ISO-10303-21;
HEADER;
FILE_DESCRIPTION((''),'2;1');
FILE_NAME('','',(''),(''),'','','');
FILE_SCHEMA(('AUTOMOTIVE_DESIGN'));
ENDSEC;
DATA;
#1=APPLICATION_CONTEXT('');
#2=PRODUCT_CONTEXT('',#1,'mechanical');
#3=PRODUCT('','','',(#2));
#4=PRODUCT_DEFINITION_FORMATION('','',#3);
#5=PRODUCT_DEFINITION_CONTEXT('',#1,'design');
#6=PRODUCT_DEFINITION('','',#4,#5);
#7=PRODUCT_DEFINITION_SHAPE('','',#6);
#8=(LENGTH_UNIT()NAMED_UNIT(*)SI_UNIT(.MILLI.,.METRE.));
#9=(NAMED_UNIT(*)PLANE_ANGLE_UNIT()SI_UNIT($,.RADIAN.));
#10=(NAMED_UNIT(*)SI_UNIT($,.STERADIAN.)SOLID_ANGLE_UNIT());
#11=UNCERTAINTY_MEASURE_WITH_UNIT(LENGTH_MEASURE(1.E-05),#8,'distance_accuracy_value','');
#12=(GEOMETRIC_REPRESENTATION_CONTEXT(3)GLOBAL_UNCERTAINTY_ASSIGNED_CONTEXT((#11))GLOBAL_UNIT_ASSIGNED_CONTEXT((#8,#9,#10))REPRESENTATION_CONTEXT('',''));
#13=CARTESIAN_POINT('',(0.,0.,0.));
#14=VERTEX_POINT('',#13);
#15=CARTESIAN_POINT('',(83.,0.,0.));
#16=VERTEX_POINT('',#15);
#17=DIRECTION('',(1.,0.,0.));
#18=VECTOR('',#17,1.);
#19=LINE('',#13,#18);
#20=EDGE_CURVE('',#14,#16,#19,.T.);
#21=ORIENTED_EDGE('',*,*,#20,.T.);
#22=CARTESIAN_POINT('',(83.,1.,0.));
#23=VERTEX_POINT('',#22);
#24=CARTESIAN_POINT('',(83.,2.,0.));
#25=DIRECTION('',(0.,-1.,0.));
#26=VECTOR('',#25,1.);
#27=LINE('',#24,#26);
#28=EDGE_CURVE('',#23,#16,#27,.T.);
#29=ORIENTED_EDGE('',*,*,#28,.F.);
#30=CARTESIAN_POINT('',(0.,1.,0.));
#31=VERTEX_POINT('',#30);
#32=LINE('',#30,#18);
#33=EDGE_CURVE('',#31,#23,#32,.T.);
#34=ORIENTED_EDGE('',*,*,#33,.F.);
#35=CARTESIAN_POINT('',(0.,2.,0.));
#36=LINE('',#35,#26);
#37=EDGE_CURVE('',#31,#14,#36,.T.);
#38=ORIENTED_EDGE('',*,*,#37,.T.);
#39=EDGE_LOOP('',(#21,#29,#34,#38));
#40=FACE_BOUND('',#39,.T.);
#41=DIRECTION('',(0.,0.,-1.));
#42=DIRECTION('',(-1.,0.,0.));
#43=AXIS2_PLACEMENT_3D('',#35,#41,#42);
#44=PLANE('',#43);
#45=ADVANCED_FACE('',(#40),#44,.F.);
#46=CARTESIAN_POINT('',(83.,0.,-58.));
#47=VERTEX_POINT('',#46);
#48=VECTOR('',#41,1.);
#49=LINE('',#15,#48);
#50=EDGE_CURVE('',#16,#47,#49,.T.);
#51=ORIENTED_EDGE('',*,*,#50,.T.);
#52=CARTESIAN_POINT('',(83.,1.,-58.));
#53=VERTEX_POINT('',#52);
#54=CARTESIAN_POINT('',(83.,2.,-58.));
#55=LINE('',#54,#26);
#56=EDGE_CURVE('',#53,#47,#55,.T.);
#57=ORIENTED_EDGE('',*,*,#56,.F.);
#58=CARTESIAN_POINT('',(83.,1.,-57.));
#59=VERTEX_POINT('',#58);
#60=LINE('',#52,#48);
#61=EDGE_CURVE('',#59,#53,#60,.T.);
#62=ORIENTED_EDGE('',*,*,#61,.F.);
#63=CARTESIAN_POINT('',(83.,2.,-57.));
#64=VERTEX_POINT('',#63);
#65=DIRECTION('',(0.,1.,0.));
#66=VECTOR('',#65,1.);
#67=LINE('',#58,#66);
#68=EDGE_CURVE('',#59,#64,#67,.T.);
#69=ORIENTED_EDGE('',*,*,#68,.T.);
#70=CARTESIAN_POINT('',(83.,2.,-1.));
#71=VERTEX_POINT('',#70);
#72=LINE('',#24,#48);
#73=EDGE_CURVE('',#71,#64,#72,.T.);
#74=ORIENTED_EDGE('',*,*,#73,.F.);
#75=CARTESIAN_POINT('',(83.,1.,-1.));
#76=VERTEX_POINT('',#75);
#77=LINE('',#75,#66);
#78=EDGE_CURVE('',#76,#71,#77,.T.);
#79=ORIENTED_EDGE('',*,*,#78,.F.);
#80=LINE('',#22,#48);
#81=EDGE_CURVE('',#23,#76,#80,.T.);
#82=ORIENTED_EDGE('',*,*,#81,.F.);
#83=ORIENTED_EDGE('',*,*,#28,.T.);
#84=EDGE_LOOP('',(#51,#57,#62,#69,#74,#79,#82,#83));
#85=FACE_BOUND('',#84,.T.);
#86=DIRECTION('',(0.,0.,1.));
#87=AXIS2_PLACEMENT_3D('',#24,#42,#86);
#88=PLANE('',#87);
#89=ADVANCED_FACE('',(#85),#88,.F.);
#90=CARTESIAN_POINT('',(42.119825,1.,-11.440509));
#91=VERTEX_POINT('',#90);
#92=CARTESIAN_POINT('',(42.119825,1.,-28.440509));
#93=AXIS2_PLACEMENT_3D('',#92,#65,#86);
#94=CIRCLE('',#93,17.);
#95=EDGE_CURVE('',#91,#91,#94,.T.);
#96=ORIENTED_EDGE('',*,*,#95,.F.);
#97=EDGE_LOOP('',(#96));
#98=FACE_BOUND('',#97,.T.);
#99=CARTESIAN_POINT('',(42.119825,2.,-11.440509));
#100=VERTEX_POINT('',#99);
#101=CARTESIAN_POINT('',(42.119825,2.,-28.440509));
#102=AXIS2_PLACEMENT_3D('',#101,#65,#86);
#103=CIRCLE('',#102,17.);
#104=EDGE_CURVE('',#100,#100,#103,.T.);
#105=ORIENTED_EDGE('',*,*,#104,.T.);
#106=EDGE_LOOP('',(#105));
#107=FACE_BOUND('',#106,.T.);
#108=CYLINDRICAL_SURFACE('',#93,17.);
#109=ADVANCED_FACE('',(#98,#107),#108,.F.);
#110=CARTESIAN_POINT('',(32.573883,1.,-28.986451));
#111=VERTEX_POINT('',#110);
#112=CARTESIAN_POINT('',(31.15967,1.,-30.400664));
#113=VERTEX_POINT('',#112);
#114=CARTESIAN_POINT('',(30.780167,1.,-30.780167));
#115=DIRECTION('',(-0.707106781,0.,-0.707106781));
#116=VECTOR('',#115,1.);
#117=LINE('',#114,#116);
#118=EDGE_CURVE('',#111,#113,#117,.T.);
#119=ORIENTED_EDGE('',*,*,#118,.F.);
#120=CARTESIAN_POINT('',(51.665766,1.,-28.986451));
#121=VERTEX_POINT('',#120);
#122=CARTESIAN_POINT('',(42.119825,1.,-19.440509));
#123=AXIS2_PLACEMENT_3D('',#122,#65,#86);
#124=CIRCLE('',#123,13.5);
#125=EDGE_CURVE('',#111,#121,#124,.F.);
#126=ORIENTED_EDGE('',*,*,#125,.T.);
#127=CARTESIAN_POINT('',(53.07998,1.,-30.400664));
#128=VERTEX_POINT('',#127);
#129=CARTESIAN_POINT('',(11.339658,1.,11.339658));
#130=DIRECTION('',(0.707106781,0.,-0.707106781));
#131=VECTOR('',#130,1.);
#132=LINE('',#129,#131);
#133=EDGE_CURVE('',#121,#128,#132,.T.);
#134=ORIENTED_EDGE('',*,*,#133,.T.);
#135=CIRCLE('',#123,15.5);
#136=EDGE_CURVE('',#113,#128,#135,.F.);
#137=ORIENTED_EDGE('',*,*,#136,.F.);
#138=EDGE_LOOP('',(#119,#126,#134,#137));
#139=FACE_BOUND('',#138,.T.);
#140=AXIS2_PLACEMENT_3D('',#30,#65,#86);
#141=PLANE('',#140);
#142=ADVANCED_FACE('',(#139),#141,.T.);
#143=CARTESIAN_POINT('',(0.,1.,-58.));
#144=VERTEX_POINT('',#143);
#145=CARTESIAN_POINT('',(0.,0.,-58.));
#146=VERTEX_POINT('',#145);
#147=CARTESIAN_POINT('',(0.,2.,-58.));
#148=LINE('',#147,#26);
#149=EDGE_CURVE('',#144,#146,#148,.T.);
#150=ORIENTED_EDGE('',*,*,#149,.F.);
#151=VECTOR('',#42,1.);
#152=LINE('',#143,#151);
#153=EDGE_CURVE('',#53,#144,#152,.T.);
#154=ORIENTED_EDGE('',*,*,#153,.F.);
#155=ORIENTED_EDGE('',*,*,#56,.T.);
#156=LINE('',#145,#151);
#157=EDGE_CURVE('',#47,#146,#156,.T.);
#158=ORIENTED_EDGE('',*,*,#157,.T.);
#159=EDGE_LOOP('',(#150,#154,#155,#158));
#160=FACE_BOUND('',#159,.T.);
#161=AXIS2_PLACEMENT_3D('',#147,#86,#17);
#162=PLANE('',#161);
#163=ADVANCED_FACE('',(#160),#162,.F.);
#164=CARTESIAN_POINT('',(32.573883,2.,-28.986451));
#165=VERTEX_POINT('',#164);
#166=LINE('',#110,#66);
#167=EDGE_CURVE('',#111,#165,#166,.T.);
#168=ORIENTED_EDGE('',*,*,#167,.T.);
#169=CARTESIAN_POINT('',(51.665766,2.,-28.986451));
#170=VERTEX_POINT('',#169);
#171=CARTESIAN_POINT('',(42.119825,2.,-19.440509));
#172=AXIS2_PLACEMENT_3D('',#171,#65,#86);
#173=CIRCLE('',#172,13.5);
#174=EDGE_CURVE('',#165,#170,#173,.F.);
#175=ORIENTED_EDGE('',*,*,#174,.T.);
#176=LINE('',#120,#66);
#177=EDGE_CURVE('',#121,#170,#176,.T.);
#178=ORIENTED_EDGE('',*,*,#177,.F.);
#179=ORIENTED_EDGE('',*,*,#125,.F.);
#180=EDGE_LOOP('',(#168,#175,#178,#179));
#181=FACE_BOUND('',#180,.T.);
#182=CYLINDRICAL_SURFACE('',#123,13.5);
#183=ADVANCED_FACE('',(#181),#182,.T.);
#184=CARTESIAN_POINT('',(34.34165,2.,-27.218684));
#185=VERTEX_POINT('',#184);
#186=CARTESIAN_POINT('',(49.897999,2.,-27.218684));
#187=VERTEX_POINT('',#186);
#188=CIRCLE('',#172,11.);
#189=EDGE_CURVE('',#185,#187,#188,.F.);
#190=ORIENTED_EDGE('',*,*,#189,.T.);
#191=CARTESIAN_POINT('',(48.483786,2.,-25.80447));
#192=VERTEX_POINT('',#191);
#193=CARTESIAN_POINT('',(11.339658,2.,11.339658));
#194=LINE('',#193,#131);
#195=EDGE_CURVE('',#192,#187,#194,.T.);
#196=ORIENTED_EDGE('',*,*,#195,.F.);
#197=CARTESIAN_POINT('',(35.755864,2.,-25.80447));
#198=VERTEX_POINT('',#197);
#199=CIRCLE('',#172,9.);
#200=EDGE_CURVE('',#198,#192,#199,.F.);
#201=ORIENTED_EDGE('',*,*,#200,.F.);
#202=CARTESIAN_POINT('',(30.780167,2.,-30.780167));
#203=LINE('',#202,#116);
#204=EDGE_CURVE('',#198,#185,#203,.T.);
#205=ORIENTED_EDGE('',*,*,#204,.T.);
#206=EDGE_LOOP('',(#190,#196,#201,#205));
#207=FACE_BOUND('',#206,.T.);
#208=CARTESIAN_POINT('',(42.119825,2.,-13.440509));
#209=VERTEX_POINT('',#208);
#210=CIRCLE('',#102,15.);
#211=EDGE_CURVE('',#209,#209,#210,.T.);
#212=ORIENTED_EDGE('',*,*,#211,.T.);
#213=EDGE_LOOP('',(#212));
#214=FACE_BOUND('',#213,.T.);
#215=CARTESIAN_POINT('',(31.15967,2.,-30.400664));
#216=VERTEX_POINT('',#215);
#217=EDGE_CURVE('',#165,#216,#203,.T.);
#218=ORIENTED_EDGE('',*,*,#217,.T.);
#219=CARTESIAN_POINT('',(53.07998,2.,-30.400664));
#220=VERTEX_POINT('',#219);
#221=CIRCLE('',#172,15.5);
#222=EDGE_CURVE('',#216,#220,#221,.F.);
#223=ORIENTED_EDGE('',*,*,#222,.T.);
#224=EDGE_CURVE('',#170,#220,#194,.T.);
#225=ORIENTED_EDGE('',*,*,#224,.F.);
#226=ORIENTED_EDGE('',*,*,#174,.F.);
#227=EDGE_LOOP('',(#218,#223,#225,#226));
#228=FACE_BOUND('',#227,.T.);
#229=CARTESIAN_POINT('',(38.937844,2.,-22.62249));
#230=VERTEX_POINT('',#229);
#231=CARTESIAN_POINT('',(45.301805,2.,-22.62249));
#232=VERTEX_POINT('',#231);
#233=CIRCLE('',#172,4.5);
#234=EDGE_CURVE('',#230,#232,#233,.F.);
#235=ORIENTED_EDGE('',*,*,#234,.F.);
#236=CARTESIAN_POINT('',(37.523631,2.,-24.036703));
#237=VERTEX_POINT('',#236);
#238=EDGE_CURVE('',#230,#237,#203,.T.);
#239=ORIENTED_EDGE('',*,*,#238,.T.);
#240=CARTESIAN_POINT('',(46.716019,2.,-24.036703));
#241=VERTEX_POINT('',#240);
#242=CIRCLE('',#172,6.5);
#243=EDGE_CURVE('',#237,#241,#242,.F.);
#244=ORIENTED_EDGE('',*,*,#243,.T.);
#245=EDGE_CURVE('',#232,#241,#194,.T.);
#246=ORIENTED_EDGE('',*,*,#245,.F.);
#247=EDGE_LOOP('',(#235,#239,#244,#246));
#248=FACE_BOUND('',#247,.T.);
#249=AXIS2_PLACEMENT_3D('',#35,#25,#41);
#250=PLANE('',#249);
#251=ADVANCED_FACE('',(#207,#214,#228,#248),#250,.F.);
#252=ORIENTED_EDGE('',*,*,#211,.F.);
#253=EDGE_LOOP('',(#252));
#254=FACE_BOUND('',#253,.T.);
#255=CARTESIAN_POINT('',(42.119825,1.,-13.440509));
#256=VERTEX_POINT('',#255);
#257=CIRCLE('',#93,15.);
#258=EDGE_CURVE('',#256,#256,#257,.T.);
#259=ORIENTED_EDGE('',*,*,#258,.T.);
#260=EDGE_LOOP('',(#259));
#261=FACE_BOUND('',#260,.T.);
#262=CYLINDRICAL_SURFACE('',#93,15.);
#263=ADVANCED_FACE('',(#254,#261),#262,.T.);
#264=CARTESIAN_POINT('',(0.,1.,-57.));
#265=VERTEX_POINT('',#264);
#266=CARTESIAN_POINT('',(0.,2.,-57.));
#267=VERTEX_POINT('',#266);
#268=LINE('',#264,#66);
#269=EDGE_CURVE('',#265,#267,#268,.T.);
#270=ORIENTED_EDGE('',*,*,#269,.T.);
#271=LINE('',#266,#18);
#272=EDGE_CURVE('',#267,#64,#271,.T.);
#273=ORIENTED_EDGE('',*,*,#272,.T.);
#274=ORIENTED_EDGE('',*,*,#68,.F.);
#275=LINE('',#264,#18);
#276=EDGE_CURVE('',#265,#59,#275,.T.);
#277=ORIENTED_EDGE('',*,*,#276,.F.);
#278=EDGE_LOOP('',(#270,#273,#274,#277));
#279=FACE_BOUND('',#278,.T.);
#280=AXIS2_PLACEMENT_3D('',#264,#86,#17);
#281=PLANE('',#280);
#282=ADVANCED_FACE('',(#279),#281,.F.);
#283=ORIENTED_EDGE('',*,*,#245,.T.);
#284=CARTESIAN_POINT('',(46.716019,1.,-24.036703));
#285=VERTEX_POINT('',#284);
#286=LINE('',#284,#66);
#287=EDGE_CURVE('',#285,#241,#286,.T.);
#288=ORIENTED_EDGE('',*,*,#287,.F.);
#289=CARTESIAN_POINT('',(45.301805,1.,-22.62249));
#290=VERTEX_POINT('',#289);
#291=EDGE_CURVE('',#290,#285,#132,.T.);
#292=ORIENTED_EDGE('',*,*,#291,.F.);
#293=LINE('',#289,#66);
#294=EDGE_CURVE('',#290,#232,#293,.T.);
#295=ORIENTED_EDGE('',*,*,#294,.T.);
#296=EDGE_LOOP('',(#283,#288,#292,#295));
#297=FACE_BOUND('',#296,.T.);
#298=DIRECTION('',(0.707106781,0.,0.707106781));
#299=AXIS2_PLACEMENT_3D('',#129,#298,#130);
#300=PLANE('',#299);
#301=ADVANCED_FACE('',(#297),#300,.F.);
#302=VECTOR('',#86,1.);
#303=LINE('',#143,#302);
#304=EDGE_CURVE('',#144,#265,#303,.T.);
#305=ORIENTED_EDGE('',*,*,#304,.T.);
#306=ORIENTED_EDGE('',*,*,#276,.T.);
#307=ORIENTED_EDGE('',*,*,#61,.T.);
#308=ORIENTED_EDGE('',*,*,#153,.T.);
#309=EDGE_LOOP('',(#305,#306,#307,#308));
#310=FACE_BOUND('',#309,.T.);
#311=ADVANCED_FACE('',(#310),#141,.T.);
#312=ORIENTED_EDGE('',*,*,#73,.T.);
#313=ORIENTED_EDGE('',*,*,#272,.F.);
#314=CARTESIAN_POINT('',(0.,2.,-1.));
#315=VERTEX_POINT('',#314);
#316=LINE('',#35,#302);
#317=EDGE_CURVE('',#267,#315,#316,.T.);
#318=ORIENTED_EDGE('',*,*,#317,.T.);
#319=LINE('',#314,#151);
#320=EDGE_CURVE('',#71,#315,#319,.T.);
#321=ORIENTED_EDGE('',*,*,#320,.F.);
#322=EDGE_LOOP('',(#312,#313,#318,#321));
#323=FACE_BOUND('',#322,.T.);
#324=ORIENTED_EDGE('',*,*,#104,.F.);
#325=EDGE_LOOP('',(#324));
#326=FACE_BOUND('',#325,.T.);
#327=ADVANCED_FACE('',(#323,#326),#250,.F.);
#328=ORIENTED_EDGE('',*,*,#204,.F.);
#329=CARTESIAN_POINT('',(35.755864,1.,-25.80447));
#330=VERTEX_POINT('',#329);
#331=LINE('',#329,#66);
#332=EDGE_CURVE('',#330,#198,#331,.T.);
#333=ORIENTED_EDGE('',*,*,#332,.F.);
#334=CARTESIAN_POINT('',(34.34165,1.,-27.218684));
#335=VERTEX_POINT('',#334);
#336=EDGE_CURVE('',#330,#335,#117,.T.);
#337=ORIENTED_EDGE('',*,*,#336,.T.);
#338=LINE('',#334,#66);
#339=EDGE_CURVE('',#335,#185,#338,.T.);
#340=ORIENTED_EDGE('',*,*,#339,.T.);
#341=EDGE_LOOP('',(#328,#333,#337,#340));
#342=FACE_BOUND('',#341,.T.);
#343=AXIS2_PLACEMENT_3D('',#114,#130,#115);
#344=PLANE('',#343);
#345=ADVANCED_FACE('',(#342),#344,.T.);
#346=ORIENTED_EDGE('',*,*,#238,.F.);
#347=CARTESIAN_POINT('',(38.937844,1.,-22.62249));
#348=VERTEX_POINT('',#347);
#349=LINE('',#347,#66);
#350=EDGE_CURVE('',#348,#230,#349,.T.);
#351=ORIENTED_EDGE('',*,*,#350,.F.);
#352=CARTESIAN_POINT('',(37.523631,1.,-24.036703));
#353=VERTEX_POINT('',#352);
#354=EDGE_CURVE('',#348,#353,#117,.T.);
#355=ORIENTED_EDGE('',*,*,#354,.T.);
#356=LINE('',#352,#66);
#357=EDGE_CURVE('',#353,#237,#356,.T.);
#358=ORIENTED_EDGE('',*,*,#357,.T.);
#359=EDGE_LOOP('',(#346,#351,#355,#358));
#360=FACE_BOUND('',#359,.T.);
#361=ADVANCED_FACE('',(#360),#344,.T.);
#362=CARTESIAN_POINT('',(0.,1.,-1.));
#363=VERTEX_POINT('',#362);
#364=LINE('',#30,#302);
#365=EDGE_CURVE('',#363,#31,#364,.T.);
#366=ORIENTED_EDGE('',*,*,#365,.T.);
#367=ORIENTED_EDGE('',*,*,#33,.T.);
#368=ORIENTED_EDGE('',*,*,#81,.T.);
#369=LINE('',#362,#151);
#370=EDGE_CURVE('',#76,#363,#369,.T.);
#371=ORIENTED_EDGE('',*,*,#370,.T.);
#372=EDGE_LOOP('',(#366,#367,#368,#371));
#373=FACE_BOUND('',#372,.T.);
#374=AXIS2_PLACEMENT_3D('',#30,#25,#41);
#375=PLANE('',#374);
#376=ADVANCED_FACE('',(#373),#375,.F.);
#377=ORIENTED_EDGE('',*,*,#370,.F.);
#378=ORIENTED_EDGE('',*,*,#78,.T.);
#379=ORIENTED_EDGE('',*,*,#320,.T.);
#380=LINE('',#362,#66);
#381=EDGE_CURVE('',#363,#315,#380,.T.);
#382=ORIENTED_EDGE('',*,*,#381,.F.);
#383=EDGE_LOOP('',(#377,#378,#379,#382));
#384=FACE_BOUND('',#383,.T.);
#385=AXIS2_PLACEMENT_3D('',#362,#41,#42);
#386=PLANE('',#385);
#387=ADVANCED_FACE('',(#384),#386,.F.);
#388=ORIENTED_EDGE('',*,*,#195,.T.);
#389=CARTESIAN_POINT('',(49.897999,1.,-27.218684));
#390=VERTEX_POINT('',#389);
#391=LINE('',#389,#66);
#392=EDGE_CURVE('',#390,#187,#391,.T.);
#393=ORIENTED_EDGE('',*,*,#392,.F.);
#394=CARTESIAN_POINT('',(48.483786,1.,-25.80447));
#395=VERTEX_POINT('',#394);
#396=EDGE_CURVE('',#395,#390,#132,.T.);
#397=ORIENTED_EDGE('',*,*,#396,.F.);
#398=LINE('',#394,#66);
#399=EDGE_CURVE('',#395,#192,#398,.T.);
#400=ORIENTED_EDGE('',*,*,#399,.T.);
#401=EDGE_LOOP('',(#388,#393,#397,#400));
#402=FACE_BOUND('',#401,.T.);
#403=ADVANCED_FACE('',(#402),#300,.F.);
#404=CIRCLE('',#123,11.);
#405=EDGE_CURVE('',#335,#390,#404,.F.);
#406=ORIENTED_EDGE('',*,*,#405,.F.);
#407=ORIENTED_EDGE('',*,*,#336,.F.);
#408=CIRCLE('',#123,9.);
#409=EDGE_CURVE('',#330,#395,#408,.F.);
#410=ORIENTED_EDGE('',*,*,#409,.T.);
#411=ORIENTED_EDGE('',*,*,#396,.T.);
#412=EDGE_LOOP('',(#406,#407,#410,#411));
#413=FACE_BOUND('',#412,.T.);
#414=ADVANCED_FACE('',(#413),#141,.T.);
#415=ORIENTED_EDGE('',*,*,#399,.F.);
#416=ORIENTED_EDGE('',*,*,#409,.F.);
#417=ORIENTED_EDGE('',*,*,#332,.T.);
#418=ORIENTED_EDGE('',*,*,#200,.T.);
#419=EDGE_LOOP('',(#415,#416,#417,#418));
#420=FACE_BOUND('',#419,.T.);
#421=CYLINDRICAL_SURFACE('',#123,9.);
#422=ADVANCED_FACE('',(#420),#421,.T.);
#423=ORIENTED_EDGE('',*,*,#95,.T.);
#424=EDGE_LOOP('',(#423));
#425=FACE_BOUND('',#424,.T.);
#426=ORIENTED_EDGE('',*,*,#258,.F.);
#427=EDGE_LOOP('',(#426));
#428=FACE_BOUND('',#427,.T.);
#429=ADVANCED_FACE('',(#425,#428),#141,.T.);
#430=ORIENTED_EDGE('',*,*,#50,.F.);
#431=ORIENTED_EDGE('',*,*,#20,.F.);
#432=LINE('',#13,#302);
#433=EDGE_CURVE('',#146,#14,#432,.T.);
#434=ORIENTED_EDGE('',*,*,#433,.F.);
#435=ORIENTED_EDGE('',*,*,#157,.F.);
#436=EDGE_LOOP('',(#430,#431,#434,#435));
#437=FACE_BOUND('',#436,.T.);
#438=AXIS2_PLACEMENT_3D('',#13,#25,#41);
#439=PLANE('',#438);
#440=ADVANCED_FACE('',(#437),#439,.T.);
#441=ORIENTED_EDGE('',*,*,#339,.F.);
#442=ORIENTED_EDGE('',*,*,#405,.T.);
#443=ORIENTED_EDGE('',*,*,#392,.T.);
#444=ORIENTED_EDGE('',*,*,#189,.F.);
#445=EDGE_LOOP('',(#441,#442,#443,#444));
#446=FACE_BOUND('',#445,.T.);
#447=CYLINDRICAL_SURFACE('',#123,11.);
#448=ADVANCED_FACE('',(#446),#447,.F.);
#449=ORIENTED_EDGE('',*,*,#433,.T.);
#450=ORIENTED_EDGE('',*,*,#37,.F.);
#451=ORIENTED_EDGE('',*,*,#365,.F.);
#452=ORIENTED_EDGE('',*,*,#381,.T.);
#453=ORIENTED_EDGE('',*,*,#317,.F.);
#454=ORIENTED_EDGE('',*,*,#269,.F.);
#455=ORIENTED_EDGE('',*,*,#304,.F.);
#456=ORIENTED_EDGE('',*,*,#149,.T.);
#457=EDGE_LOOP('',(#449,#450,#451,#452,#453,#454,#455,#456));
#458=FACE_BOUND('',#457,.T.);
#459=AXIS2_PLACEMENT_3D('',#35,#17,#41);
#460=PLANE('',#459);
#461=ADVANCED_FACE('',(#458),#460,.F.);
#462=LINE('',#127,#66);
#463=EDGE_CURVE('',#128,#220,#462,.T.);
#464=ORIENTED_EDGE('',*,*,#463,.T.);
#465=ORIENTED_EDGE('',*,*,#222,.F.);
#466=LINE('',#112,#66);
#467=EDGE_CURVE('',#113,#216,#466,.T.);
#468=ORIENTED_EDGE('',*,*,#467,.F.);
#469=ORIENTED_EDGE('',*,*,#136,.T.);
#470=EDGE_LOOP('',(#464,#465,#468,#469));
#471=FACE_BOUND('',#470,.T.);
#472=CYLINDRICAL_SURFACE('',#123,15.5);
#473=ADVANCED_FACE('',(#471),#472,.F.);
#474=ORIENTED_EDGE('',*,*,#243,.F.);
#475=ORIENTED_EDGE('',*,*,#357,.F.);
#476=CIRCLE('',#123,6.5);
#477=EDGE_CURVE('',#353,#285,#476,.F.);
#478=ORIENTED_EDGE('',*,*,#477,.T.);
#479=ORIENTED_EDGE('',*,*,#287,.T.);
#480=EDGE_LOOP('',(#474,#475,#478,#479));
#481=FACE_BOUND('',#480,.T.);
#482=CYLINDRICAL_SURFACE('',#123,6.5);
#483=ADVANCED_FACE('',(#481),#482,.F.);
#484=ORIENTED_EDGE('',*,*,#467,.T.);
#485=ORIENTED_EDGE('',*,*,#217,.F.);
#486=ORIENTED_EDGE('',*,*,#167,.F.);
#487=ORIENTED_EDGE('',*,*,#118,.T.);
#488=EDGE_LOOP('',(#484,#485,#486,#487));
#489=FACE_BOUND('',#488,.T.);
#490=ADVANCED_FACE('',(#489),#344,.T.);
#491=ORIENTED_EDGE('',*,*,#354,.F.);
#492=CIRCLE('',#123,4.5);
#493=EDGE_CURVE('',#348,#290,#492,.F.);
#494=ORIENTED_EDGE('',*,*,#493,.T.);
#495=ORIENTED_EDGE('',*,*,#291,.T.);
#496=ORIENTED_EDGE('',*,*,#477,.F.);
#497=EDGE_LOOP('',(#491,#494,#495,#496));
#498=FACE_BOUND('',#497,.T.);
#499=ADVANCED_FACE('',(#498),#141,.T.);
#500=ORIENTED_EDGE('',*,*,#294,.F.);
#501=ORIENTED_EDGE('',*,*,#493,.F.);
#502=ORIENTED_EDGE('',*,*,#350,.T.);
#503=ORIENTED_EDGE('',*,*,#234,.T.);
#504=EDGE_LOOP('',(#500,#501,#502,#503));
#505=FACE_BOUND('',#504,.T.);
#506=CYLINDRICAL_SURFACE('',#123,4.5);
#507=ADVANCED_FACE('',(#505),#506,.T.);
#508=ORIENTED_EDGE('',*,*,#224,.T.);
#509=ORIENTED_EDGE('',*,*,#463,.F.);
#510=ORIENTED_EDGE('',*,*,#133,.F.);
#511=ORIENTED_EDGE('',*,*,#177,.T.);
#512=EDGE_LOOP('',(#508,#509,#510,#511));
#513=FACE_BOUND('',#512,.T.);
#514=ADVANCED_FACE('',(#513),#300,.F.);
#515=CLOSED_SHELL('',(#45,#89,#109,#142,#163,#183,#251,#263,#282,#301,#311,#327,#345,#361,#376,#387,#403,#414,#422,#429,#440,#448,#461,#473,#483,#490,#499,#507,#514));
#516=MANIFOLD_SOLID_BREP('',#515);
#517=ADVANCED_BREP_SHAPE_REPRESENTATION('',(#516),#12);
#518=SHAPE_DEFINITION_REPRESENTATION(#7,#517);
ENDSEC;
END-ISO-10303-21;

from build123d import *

# Parameters (mm, degrees)
SKIZZE1_W                       = 83
SKIZZE1_H                       = 58
AUFSATZ_LINEAR_AUSTRAGEN1_DEPTH = 2
SKIZZE2_W                       = 83
SKIZZE2_H                       = 1
SCHNITT_LINEAR_AUSTRAGEN1_DEPTH = 1
SKIZZE3_R                       = 17
SKIZZE3_R_2                     = 15
SCHNITT_LINEAR_AUSTRAGEN2_DEPTH = 1


with BuildPart() as part:
    # Skizze1 → Aufsatz-Linear austragen1 (new body)
    with BuildSketch(Plane(origin=(0, 0, 0), x_dir=(1, 0, 0), z_dir=(0, 1, 0))):
        with Locations((41.5, 29)):
            Rectangle(SKIZZE1_W, SKIZZE1_H)
    extrude(amount=AUFSATZ_LINEAR_AUSTRAGEN1_DEPTH)

    # Skizze2 → Schnitt-Linear austragen1 (cut)
    with BuildSketch(Plane(origin=(0, 2, 0), x_dir=(1, 0, 0), z_dir=(0, 1, 0))):
        with Locations((41.5, 57.5)):
            Rectangle(SKIZZE2_W, SKIZZE2_H)
        with Locations((41.5, 0.5)):
            Rectangle(SKIZZE2_W, SKIZZE2_H)
    extrude(amount=-SCHNITT_LINEAR_AUSTRAGEN1_DEPTH, mode=Mode.SUBTRACT)

    # Skizze3 → Schnitt-Linear austragen2 (cut)
    with BuildSketch(Plane(origin=(0, 2, 0), x_dir=(1, 0, 0), z_dir=(0, 1, 0))):
        with Locations((42.119824852, 28.44050911)):
            Circle(SKIZZE3_R)
        with Locations((42.119824852, 28.44050911)):
            Circle(SKIZZE3_R_2, mode=Mode.SUBTRACT)
        with BuildLine():
            ThreePointArc((31.159669744, 30.400664218), (42.119824852, 34.94050911), (53.079979961, 30.400664218))
            Line((53.079979961, 30.400664218), (51.665766398, 28.986450656))
            ThreePointArc((51.665766398, 28.986450656), (42.119824852, 32.94050911), (32.573883306, 28.986450656))
            Line((32.573883306, 28.986450656), (31.159669744, 30.400664218))
        make_face()
        with BuildLine():
            Line((35.755863822, 25.80447014), (34.341650259, 27.218683703))
            ThreePointArc((34.341650259, 27.218683703), (42.119824852, 30.44050911), (49.897999445, 27.218683703))
            Line((49.897999445, 27.218683703), (48.483785883, 25.80447014))
            ThreePointArc((48.483785883, 25.80447014), (42.119824852, 28.44050911), (35.755863822, 25.80447014))
        make_face()
        with BuildLine():
            Line((38.937844337, 22.622489625), (37.523630775, 24.036703187))
            ThreePointArc((37.523630775, 24.036703187), (42.119824852, 25.94050911), (46.71601893, 24.036703187))
            Line((46.71601893, 24.036703187), (45.301805368, 22.622489625))
            ThreePointArc((45.301805368, 22.622489625), (42.119824852, 23.94050911), (38.937844337, 22.622489625))
        make_face()
    extrude(amount=-SCHNITT_LINEAR_AUSTRAGEN2_DEPTH, mode=Mode.SUBTRACT)


solid = part.part
